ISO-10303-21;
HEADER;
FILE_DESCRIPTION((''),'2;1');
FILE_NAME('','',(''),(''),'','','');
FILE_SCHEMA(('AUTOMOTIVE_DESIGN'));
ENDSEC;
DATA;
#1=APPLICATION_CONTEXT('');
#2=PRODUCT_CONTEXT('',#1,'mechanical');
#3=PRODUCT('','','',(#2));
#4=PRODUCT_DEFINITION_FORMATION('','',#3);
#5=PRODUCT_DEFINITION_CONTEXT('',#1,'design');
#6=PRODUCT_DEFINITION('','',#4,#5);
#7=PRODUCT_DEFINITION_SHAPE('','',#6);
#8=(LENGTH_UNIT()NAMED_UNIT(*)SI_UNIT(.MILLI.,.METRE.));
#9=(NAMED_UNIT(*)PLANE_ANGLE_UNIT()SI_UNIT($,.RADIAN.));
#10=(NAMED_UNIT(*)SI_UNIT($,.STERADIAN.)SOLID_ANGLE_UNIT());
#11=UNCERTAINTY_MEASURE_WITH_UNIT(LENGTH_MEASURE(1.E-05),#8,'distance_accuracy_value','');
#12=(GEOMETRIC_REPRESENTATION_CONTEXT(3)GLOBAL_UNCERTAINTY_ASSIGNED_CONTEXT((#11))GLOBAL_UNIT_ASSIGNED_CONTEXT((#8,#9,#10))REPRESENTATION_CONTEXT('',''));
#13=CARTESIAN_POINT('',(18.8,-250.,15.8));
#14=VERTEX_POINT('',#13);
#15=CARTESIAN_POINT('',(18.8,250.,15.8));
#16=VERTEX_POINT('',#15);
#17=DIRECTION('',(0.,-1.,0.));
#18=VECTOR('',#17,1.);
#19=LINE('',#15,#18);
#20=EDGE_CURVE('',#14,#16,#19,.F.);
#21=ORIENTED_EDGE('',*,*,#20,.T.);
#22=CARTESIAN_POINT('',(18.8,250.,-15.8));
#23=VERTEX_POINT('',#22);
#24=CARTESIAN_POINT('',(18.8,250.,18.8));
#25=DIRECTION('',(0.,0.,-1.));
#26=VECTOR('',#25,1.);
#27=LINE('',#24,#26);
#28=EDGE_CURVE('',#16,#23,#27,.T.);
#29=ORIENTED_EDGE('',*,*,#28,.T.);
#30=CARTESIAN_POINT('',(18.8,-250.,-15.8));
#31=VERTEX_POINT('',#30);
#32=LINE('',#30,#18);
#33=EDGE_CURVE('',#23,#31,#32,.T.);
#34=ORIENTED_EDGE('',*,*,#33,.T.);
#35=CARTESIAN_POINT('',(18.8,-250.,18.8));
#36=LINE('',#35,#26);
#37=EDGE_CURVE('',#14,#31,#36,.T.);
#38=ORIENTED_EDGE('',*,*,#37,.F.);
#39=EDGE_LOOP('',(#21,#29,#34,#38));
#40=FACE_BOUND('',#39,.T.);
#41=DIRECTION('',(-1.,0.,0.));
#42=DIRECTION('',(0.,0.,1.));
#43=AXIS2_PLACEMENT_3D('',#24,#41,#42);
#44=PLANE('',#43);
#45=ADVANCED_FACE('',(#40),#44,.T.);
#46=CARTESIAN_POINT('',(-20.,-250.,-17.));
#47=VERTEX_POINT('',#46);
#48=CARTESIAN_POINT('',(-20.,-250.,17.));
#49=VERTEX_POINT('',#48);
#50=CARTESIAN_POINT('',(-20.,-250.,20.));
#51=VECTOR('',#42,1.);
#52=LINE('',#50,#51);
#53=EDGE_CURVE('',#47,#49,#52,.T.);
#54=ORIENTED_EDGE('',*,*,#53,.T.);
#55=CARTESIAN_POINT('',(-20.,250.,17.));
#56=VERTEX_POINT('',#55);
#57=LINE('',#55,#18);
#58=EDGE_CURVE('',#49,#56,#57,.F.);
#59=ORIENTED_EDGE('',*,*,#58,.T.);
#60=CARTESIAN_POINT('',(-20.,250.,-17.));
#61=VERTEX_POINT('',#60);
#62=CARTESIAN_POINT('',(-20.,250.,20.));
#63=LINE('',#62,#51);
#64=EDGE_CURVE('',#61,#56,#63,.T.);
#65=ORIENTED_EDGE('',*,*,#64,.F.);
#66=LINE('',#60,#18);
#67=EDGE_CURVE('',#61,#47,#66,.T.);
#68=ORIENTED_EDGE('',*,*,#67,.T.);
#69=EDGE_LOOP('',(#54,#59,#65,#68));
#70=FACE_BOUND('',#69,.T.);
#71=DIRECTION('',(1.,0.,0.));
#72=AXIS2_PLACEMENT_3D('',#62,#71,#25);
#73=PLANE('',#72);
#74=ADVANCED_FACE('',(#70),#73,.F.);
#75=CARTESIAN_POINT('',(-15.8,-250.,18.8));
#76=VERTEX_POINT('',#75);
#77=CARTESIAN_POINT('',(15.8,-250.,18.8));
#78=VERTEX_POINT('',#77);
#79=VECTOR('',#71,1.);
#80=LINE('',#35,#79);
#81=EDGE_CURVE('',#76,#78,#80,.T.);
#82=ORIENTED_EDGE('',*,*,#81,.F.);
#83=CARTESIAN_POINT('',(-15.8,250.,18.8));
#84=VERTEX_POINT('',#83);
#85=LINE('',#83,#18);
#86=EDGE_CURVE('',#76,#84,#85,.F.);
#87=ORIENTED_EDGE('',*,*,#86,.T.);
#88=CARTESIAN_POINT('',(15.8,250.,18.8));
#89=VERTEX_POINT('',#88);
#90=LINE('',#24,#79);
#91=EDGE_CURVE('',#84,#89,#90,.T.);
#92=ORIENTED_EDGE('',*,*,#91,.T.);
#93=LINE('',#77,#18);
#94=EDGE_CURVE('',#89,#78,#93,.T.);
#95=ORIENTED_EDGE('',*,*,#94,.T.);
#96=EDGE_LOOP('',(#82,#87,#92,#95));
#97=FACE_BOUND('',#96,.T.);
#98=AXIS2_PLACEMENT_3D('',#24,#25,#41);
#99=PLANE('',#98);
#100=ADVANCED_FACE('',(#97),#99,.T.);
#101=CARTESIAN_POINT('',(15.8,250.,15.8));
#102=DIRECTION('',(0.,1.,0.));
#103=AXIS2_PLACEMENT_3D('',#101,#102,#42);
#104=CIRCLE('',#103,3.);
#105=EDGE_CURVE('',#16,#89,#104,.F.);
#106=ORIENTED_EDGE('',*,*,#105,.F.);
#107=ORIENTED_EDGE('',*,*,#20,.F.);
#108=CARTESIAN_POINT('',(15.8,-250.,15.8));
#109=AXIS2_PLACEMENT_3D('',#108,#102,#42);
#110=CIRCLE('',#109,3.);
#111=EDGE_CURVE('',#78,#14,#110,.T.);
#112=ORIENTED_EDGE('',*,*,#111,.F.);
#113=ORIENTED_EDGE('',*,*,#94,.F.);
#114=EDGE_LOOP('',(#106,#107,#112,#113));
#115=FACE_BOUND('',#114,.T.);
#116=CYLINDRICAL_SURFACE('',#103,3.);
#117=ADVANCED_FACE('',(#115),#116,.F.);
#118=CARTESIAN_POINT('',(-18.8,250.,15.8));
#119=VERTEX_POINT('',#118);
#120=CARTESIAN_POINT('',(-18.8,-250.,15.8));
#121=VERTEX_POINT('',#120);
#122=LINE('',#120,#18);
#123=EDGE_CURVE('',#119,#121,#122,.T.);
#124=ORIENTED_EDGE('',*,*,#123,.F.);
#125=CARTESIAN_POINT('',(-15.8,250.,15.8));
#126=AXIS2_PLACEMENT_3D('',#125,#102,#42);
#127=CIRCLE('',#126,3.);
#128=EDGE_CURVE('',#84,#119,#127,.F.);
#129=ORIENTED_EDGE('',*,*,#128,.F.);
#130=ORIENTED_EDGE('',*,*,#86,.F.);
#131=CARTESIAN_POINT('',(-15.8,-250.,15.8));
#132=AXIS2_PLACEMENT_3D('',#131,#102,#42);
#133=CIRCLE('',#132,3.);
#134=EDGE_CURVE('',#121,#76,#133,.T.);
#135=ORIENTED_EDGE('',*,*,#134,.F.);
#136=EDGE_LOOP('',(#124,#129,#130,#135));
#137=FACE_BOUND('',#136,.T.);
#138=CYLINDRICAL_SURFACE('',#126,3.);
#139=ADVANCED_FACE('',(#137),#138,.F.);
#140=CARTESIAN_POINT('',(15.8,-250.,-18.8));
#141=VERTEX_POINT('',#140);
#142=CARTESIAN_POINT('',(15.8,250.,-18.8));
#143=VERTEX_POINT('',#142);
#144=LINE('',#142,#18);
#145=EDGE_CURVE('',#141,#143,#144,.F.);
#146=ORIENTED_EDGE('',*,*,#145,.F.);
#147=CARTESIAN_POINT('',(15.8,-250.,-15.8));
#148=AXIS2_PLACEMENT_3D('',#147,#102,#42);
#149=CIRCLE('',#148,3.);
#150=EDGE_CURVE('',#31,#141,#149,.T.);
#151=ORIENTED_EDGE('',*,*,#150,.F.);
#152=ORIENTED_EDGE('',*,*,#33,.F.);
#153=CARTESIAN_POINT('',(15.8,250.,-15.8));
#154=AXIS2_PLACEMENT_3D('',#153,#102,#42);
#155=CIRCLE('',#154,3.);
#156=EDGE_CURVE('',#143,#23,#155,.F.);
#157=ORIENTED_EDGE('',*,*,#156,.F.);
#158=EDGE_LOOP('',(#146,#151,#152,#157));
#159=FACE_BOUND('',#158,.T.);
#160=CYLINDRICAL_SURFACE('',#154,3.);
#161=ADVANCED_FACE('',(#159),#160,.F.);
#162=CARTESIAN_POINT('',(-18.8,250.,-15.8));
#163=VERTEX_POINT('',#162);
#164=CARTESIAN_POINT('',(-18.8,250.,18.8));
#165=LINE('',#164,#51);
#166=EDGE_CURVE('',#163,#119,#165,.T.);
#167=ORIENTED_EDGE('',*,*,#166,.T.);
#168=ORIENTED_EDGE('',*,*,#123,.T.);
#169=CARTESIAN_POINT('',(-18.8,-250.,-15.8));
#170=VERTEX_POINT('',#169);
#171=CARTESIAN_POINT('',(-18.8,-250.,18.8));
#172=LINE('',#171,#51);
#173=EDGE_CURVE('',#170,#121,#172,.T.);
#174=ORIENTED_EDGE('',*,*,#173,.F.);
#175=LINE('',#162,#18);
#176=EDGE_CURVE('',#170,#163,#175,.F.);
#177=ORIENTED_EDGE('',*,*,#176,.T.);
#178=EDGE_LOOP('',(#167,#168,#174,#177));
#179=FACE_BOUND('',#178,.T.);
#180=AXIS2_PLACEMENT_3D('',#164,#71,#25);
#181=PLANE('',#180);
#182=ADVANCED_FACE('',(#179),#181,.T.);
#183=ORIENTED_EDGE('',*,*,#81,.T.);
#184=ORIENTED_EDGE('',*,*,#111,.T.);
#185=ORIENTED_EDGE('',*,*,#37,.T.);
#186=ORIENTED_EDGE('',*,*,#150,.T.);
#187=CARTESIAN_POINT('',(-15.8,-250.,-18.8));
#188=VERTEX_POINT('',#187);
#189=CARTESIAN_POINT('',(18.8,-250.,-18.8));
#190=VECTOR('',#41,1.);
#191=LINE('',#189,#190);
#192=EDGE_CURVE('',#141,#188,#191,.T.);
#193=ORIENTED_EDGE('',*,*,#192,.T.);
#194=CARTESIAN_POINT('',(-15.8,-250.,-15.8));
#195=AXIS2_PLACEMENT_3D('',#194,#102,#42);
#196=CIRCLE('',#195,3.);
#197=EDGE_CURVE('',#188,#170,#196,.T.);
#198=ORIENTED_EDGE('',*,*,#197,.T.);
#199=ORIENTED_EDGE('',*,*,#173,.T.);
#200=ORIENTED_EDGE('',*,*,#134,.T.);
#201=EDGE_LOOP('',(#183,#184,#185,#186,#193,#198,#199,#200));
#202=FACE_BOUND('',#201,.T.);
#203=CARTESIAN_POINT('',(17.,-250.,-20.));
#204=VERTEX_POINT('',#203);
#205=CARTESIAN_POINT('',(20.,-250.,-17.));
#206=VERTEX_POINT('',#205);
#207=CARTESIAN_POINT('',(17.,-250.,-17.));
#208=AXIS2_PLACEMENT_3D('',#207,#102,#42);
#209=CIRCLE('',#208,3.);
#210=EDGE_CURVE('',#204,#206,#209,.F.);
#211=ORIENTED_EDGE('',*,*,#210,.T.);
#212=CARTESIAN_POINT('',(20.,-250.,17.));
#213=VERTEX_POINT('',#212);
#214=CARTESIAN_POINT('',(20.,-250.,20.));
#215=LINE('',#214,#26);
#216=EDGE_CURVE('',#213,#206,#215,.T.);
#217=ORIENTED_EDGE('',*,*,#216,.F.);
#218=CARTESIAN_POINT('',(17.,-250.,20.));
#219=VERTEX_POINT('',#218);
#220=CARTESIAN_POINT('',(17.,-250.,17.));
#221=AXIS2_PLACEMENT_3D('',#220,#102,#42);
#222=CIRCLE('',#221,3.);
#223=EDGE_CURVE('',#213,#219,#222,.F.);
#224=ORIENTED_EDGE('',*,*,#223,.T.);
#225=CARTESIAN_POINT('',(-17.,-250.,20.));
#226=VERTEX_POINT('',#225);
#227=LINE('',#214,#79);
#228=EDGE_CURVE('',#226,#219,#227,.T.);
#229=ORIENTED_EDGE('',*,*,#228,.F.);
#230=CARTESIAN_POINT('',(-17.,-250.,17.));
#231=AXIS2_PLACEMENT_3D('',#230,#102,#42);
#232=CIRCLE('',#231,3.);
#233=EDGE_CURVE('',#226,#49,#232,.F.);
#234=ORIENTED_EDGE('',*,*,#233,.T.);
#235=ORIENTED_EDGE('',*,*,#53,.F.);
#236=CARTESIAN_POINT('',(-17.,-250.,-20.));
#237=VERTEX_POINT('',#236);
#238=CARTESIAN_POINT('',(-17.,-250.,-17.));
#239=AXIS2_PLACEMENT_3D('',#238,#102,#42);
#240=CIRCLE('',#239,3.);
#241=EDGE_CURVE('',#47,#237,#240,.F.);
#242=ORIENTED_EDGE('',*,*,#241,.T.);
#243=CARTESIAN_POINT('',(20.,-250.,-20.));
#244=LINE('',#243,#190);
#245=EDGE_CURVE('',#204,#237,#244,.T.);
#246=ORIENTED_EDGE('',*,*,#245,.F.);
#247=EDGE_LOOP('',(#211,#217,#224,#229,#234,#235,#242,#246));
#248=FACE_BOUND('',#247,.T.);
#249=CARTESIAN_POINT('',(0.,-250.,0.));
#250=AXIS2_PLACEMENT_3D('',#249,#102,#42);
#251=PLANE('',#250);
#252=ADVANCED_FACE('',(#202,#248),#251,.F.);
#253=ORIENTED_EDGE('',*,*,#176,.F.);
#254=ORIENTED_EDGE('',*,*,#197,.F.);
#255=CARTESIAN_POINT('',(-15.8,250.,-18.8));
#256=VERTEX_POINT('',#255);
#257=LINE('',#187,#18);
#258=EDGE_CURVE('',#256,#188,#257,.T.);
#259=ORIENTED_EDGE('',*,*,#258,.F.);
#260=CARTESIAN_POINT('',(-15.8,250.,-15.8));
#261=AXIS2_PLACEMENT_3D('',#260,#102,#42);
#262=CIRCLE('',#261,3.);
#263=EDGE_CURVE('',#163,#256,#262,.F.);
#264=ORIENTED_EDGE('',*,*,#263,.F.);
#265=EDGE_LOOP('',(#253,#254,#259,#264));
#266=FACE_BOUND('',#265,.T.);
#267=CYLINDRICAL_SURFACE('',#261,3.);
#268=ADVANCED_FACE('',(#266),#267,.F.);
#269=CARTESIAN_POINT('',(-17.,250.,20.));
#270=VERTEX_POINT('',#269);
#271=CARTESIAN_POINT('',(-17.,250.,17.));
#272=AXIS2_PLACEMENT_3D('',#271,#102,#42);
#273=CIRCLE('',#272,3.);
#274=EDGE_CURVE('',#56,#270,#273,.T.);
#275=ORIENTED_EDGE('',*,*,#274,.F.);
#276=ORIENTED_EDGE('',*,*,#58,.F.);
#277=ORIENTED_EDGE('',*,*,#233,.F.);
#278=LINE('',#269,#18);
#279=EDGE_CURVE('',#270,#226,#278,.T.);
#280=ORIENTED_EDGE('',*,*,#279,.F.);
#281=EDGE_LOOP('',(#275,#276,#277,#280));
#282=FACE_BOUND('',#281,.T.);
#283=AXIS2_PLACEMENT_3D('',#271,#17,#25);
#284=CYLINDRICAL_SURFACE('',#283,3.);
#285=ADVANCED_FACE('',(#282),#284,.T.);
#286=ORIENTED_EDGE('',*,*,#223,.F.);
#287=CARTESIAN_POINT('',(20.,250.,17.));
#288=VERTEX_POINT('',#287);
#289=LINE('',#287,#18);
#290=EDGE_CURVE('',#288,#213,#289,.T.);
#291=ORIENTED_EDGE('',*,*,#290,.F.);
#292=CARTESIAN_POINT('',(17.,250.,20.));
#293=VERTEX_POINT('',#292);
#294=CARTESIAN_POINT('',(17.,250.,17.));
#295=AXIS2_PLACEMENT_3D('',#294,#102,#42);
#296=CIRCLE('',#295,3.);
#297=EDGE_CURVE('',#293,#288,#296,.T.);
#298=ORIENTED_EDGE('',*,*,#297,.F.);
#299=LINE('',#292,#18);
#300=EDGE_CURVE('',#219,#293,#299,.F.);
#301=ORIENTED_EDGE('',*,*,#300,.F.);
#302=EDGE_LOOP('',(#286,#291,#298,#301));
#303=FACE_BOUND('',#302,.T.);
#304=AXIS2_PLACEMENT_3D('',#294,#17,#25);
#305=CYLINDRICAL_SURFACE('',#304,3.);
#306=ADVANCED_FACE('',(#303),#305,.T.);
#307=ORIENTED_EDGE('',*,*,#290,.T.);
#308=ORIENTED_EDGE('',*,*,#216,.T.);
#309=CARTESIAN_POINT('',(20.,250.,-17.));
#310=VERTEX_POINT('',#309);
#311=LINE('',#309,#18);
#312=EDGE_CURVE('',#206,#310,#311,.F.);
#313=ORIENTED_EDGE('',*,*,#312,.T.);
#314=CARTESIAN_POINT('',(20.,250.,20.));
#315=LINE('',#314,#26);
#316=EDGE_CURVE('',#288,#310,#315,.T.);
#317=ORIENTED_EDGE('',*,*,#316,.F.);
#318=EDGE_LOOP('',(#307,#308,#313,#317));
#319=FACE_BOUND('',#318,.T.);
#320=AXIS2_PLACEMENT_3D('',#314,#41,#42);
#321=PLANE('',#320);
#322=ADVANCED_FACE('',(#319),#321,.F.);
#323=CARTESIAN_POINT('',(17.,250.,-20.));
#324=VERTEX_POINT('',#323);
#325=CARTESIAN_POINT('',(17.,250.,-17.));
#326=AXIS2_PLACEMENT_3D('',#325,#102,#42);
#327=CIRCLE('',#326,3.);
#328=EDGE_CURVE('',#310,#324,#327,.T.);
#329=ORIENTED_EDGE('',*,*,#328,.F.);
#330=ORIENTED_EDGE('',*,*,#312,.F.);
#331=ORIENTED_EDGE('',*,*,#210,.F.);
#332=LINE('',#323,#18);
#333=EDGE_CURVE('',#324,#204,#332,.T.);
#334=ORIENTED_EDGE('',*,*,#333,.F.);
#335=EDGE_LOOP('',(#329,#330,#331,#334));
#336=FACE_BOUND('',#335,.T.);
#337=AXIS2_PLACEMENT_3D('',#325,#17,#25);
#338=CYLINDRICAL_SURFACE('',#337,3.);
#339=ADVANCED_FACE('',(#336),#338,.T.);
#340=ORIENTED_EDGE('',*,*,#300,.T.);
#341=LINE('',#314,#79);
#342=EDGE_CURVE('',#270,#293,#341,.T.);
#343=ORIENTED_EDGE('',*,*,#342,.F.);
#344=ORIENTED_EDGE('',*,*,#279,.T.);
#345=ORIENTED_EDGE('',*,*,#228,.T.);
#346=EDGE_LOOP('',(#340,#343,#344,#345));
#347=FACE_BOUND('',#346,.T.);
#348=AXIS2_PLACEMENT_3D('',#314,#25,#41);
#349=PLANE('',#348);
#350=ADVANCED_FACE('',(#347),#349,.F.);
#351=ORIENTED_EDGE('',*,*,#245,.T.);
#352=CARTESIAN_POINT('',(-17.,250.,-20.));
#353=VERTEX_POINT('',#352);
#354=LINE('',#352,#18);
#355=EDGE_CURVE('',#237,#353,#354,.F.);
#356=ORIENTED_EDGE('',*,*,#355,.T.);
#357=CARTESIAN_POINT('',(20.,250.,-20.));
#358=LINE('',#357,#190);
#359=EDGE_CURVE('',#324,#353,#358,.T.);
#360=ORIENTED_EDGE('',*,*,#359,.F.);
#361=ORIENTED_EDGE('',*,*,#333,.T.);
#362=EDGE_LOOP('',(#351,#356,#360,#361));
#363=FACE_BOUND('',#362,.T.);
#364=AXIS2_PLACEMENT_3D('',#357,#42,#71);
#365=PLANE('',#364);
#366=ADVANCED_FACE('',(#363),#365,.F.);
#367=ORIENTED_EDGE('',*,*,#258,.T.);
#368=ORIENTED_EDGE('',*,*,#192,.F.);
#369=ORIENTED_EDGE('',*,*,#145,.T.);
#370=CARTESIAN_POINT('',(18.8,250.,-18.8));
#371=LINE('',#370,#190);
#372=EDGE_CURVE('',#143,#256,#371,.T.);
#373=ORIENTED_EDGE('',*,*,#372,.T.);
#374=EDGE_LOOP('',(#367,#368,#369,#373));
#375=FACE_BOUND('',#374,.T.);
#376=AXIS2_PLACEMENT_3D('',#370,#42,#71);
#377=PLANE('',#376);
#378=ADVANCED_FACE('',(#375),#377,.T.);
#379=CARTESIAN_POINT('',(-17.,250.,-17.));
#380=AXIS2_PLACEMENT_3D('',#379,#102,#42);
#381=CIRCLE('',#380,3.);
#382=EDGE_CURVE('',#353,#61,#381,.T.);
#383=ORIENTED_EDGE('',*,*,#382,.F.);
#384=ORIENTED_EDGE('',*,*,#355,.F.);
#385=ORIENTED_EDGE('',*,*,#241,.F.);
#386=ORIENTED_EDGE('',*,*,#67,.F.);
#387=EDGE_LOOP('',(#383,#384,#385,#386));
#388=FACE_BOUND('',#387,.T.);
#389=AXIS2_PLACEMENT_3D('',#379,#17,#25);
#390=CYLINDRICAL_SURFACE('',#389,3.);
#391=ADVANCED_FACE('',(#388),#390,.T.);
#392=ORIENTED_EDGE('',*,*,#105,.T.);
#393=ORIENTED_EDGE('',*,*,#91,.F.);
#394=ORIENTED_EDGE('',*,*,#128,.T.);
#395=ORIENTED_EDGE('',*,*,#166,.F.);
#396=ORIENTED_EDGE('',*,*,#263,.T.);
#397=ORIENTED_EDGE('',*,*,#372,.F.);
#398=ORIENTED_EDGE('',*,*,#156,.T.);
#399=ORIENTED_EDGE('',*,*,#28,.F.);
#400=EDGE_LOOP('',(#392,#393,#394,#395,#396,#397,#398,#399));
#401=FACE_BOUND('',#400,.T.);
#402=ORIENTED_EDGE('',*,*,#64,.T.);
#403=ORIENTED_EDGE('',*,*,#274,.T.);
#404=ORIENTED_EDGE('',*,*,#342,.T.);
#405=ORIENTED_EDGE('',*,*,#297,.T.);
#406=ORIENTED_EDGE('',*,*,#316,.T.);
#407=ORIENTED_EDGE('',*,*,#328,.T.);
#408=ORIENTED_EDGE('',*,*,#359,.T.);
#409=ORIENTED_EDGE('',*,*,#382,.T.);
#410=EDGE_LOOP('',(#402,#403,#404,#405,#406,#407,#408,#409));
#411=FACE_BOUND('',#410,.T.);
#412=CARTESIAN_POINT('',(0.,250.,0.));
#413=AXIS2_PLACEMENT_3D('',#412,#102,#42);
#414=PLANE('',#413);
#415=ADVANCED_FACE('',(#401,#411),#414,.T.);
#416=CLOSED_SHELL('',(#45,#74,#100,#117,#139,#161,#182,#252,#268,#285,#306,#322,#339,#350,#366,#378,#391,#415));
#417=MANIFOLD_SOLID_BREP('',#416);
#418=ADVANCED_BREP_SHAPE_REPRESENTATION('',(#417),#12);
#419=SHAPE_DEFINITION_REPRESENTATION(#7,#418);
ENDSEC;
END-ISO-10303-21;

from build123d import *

# Parameters (mm, degrees)
ESBO_O1_W                = 40
ESBO_O1_H                = 40
ESBO_O1_W_2              = 37.6
ESBO_O1_H_2              = 37.6
RESSALTO_EXTRUS_O1_DEPTH = 250
FILETE1_R                = 3


with BuildPart() as part:
    # Esboço1 → Ressalto-extrusão1 (new, symmetric)
    with BuildSketch(Plane(origin=(0, 0, 0), x_dir=(1, 0, 0), z_dir=(0, 1, 0))):
        Rectangle(ESBO_O1_W, ESBO_O1_H)
        Rectangle(ESBO_O1_W_2, ESBO_O1_H_2, mode=Mode.SUBTRACT)
    extrude(amount=RESSALTO_EXTRUS_O1_DEPTH, both=True)

    # Filete1
    filete1_edges = [part.edges().sort_by_distance(p)[0] for p in [
        (-18.8, 0, 18.8),
        (18.8, 0, 18.8),
        (18.8, 0, -18.8),
        (-18.8, 0, -18.8),
        (-20, 0, -20),
        (20, 0, -20),
        (20, 0, 20),
        (-20, 0, 20),
    ]]
    fillet(filete1_edges, radius=FILETE1_R)


solid = part.part
